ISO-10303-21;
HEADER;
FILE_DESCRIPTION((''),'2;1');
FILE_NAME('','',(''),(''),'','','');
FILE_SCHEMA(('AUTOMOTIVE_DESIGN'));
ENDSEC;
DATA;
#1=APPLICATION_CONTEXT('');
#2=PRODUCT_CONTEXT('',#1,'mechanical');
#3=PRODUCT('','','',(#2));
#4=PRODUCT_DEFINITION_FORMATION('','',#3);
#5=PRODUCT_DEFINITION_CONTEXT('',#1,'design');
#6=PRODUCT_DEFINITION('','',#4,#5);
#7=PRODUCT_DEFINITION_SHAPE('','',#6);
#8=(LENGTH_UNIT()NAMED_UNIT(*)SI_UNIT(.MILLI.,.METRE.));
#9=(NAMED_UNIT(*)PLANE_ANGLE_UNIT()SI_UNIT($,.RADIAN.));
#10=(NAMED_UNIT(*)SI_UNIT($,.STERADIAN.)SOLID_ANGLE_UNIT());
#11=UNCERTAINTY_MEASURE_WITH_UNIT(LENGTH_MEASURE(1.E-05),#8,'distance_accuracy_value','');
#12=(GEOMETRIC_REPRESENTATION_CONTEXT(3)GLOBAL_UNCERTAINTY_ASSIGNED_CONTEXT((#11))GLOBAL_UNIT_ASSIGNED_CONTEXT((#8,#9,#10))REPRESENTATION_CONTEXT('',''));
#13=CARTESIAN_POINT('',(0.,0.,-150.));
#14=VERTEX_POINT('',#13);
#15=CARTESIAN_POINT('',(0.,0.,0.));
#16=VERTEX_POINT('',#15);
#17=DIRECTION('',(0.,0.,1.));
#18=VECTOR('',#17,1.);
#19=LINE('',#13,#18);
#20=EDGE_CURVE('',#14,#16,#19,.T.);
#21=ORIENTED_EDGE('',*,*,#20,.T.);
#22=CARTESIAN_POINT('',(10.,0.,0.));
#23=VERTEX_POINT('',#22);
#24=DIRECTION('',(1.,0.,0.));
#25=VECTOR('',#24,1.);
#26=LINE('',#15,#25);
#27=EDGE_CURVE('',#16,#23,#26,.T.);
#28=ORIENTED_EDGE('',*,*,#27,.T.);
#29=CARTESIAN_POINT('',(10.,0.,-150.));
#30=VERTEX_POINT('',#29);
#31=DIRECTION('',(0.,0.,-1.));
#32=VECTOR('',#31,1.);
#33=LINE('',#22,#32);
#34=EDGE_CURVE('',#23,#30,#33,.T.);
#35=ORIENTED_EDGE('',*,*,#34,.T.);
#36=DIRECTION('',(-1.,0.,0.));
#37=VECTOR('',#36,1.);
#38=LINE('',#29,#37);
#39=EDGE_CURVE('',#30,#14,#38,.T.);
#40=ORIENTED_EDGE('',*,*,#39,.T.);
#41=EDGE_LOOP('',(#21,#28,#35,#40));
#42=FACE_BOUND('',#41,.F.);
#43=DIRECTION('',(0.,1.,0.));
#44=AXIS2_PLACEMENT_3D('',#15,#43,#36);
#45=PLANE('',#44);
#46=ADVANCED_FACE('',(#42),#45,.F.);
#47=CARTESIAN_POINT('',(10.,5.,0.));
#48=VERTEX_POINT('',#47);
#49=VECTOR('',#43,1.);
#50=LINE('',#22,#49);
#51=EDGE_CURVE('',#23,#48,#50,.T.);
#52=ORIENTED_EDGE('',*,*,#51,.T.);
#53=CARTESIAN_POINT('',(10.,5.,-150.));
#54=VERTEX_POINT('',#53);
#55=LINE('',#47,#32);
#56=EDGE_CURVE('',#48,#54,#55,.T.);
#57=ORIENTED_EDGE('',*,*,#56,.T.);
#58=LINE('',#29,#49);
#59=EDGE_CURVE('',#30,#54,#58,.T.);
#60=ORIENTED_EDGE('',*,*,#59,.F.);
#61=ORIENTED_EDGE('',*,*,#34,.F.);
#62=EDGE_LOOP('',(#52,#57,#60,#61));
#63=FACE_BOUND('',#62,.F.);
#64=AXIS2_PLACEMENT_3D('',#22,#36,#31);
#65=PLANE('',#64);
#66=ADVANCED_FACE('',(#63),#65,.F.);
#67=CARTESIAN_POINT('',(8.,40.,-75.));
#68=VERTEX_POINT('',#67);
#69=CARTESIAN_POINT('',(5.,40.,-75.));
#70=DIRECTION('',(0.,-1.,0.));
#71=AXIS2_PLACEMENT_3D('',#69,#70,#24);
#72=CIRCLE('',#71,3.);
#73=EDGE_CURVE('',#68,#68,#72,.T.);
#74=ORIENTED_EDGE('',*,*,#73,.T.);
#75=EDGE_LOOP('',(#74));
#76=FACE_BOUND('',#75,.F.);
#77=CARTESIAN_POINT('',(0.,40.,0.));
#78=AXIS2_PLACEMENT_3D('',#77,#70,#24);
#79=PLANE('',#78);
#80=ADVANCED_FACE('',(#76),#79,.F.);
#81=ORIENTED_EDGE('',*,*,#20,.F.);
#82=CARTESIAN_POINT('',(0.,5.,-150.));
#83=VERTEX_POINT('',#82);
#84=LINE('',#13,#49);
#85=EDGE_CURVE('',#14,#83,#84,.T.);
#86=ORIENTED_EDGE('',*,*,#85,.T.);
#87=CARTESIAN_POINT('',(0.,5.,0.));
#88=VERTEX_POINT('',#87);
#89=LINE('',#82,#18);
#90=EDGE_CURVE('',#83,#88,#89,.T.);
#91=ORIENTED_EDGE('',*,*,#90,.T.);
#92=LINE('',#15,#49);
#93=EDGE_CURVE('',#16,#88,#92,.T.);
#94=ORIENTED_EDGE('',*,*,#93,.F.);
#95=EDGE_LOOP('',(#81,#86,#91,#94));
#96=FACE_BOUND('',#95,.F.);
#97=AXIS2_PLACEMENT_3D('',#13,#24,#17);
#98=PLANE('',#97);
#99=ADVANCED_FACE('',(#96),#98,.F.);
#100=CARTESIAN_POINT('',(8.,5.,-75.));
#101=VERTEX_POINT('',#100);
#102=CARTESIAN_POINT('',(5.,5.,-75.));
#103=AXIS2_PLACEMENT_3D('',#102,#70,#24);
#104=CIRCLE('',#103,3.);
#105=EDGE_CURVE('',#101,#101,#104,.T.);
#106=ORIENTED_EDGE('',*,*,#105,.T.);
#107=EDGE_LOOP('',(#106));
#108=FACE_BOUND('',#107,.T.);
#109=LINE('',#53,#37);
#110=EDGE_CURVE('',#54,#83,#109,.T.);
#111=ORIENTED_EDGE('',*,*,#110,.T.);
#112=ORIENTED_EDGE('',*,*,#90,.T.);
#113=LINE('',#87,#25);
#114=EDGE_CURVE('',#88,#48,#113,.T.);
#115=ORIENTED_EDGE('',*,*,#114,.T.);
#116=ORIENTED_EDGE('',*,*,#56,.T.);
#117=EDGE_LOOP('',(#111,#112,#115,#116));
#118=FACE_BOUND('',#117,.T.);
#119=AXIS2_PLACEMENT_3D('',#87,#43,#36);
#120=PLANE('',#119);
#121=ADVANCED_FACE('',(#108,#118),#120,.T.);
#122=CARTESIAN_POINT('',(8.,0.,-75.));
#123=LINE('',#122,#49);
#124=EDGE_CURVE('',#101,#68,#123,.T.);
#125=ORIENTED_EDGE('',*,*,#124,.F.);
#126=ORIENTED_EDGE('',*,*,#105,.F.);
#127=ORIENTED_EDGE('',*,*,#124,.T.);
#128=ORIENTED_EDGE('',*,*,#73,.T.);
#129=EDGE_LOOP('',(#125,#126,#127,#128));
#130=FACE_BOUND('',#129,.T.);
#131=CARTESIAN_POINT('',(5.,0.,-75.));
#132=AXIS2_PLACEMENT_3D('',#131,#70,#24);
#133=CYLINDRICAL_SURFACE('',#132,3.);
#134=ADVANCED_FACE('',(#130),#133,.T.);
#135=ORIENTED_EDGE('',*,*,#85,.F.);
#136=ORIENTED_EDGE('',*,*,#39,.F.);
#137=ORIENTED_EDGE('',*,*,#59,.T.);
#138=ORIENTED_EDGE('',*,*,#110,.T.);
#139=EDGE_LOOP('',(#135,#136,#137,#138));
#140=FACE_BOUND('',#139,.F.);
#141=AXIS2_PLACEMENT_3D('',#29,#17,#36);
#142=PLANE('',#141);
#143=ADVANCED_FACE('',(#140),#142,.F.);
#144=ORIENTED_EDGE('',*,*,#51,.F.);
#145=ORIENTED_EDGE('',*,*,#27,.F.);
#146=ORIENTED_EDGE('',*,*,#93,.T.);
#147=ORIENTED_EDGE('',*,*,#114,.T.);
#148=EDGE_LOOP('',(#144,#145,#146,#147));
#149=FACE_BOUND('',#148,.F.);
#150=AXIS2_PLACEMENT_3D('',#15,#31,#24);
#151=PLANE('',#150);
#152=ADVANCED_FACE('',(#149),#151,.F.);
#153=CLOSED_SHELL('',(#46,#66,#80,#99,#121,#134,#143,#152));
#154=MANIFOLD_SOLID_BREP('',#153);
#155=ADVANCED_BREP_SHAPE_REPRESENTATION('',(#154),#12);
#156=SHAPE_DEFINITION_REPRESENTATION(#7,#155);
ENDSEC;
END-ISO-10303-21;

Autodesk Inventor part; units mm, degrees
ref_plane "YZ Plane" through (0, 0, 0) normal (1, 0, 0) x (0, 1, 0)
ref_plane "XZ Plane" through (0, 0, 0) normal (0, 1, 0) x (-1, 0, 0)
ref_plane "XY Plane" through (0, 0, 0) normal (0, 0, 1) x (1, 0, 0)
sketch "Sketch1" plane through (0, 0, 0) normal (0, 1, 0) x (-1, 0, 0)
  line L0 (0, 0) -> (-10, 0)
  line L1 (-10, 0) -> (-10, -150)
  line L2 (-10, -150) -> (0, -150)
  line L3 (0, -150) -> (0, 0)
  circle A0 centre (-5, -75) radius 3
  dimension "d0" = 10
  dimension "d1" = 150
  dimension "d2" = 6
  dimension "d5" = 75
extrude "Extrusion1" add sketch "Sketch1" along normal blind 5
sketch "Sketch2" plane through (0, 0, 0) normal (0, -1, 0) x (1, 0, 0)
  circle A0 centre (5, -75) radius 3
  point P0 (0, 0)
extrude "Extrusion2" add sketch "Sketch2" against normal blind 40
properties part number "enganche vertical rueda gusano"
